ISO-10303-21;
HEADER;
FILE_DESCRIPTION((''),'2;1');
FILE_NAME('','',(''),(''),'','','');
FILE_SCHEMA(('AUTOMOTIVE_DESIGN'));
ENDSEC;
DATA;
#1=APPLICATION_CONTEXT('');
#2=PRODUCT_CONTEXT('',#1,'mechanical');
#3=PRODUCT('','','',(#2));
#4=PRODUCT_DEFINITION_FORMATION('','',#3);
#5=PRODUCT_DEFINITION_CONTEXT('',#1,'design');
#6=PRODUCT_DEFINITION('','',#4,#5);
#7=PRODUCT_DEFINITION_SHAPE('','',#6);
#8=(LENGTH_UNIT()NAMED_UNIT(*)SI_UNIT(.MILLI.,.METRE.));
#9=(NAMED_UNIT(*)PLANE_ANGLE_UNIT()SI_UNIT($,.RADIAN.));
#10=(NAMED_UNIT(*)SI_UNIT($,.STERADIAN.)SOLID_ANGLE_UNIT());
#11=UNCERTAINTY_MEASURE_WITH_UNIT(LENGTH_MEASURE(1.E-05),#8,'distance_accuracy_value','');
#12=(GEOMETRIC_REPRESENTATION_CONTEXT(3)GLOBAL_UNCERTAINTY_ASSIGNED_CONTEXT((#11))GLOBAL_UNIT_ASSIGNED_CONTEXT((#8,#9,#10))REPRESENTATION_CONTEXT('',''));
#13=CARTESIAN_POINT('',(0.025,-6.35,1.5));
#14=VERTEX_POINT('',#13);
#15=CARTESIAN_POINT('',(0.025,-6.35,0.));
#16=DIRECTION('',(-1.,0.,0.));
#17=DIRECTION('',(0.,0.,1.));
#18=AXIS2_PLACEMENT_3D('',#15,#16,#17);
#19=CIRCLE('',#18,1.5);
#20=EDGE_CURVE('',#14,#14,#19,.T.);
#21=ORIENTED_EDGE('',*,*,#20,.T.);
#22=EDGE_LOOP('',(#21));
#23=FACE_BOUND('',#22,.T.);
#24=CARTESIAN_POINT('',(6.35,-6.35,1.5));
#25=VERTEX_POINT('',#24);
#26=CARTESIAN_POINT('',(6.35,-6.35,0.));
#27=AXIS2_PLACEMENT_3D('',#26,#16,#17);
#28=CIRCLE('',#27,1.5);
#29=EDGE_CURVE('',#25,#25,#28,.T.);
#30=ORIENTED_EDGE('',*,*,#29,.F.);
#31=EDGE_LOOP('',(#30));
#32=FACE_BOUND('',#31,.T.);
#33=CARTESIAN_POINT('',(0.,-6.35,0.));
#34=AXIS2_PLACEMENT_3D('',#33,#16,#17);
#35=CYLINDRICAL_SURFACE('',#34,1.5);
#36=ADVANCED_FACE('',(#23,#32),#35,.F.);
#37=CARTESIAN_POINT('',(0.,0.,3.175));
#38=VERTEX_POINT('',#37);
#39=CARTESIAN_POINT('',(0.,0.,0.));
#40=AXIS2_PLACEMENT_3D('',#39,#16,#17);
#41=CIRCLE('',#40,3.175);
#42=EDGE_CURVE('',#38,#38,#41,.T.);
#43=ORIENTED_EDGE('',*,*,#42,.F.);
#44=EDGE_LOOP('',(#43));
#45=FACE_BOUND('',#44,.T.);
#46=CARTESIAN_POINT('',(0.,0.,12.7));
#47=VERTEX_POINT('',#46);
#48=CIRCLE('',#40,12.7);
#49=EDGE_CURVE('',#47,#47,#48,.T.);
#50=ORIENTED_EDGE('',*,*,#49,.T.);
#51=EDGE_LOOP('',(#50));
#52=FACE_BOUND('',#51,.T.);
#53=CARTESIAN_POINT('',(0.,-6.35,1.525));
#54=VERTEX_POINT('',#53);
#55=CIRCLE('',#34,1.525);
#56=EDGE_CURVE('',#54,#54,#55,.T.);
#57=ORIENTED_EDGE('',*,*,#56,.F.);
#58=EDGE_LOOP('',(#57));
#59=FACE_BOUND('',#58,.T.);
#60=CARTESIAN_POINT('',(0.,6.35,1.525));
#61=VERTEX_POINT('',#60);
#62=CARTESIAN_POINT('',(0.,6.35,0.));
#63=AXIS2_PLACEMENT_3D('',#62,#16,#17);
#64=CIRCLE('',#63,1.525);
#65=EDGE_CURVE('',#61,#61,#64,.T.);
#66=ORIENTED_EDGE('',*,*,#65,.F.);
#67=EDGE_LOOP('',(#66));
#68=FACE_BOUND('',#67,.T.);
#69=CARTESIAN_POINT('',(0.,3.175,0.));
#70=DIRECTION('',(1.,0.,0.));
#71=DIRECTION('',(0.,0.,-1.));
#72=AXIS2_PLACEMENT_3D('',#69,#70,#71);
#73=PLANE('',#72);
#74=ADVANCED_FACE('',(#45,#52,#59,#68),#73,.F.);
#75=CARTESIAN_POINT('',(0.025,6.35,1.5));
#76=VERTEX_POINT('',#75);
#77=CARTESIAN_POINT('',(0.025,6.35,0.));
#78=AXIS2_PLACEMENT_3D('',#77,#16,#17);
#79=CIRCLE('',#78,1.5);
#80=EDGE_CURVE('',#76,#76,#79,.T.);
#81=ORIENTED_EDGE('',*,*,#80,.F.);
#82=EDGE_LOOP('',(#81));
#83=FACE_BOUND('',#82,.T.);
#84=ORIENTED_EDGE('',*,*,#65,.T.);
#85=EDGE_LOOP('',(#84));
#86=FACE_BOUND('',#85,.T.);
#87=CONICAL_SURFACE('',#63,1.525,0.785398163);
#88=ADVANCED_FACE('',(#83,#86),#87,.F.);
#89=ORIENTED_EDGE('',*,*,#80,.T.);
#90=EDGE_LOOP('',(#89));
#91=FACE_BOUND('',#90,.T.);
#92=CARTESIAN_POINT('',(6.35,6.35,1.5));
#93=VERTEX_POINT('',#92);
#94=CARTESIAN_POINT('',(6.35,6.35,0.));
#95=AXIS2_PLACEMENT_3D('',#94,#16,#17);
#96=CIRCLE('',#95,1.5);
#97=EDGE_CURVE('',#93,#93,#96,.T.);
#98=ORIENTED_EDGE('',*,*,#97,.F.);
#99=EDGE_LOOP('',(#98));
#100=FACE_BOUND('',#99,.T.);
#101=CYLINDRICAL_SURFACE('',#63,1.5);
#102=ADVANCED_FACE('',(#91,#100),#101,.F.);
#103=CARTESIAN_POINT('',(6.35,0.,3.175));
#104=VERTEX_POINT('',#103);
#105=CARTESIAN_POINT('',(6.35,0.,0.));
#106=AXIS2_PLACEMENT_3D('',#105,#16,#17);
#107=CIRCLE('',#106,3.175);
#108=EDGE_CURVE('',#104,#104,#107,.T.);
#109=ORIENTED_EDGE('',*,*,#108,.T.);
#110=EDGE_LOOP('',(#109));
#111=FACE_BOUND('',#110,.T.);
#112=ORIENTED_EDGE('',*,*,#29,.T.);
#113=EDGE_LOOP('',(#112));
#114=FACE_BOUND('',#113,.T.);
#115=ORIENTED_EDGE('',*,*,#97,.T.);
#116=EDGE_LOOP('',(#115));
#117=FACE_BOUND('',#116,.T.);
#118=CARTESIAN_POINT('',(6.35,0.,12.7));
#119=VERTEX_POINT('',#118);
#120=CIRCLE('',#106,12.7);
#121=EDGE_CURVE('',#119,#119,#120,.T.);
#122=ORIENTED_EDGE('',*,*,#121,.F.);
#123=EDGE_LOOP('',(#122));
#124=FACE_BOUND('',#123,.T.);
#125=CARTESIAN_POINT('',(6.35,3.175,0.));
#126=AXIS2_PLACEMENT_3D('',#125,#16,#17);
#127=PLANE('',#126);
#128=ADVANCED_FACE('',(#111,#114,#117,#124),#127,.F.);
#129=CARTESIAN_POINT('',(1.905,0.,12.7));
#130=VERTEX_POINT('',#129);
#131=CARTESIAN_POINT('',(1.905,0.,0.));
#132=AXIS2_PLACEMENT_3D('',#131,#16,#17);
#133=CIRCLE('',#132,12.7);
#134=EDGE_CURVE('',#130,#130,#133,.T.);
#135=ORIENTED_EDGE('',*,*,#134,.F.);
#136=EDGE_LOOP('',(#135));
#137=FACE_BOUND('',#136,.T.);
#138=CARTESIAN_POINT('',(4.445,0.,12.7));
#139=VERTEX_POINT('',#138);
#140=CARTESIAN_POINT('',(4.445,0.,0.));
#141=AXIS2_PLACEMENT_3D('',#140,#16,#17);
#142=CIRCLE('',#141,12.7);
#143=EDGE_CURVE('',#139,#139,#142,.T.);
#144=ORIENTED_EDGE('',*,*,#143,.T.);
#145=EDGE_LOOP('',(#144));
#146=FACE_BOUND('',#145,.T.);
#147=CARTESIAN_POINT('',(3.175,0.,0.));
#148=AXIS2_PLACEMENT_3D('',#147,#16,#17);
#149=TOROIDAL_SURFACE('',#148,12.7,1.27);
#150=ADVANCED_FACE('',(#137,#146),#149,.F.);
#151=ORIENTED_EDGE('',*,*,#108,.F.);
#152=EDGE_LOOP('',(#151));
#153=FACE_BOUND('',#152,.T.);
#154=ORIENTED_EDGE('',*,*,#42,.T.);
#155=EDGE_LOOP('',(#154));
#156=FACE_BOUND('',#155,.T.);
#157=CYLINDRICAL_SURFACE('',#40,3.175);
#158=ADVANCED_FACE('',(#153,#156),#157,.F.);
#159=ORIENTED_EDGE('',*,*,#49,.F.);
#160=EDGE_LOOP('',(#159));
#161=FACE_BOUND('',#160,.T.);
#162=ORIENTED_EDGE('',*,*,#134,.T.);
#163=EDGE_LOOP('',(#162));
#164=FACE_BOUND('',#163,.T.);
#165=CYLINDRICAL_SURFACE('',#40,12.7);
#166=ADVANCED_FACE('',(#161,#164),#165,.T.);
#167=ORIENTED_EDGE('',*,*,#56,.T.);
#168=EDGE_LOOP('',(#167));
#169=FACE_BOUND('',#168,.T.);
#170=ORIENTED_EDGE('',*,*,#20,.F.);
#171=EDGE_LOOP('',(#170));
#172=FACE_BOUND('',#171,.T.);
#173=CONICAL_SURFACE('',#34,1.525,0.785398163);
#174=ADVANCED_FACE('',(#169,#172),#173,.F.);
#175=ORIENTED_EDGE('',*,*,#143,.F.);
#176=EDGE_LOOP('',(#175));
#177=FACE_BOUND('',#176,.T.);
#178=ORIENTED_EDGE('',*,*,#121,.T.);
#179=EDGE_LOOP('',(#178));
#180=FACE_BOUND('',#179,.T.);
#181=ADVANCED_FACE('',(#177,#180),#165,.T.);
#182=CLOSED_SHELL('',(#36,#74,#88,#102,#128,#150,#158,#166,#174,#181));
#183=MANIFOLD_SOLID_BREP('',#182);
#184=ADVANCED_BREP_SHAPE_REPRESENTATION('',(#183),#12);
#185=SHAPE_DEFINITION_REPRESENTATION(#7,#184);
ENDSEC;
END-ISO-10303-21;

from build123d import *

# Parameters (mm, degrees)
F_3_0MM_DOWEL_HOLE1_D           = 3
F_3_0MM_DOWEL_HOLE1_CSINK_D     = 3.05
F_3_0MM_DOWEL_HOLE1_CSINK_ANGLE = 90


with BuildPart() as part:
    # Sketch1 → Revolve1 (revolve)
    with BuildSketch(Plane.XY):
        with BuildLine():
            Line((0, 3.175), (6.35, 3.175))
            Line((6.35, 3.175), (6.35, 12.7))
            Line((6.35, 12.7), (4.445, 12.7))
            ThreePointArc((4.445, 12.7), (3.175, 11.43), (1.905, 12.7))
            Line((1.905, 12.7), (0, 12.7))
            Line((0, 12.7), (0, 3.175))
        make_face()
    revolve(axis=Axis((0, 0, 0), (1, 0, 0)))

    # Ø3.0mm Dowel Hole1 (through all)
    with Locations(Plane.ZY):
        with Locations((0, 6.35), (0, -6.35)):
            CounterSinkHole(F_3_0MM_DOWEL_HOLE1_D / 2, F_3_0MM_DOWEL_HOLE1_CSINK_D / 2, counter_sink_angle=F_3_0MM_DOWEL_HOLE1_CSINK_ANGLE)


solid = part.part
